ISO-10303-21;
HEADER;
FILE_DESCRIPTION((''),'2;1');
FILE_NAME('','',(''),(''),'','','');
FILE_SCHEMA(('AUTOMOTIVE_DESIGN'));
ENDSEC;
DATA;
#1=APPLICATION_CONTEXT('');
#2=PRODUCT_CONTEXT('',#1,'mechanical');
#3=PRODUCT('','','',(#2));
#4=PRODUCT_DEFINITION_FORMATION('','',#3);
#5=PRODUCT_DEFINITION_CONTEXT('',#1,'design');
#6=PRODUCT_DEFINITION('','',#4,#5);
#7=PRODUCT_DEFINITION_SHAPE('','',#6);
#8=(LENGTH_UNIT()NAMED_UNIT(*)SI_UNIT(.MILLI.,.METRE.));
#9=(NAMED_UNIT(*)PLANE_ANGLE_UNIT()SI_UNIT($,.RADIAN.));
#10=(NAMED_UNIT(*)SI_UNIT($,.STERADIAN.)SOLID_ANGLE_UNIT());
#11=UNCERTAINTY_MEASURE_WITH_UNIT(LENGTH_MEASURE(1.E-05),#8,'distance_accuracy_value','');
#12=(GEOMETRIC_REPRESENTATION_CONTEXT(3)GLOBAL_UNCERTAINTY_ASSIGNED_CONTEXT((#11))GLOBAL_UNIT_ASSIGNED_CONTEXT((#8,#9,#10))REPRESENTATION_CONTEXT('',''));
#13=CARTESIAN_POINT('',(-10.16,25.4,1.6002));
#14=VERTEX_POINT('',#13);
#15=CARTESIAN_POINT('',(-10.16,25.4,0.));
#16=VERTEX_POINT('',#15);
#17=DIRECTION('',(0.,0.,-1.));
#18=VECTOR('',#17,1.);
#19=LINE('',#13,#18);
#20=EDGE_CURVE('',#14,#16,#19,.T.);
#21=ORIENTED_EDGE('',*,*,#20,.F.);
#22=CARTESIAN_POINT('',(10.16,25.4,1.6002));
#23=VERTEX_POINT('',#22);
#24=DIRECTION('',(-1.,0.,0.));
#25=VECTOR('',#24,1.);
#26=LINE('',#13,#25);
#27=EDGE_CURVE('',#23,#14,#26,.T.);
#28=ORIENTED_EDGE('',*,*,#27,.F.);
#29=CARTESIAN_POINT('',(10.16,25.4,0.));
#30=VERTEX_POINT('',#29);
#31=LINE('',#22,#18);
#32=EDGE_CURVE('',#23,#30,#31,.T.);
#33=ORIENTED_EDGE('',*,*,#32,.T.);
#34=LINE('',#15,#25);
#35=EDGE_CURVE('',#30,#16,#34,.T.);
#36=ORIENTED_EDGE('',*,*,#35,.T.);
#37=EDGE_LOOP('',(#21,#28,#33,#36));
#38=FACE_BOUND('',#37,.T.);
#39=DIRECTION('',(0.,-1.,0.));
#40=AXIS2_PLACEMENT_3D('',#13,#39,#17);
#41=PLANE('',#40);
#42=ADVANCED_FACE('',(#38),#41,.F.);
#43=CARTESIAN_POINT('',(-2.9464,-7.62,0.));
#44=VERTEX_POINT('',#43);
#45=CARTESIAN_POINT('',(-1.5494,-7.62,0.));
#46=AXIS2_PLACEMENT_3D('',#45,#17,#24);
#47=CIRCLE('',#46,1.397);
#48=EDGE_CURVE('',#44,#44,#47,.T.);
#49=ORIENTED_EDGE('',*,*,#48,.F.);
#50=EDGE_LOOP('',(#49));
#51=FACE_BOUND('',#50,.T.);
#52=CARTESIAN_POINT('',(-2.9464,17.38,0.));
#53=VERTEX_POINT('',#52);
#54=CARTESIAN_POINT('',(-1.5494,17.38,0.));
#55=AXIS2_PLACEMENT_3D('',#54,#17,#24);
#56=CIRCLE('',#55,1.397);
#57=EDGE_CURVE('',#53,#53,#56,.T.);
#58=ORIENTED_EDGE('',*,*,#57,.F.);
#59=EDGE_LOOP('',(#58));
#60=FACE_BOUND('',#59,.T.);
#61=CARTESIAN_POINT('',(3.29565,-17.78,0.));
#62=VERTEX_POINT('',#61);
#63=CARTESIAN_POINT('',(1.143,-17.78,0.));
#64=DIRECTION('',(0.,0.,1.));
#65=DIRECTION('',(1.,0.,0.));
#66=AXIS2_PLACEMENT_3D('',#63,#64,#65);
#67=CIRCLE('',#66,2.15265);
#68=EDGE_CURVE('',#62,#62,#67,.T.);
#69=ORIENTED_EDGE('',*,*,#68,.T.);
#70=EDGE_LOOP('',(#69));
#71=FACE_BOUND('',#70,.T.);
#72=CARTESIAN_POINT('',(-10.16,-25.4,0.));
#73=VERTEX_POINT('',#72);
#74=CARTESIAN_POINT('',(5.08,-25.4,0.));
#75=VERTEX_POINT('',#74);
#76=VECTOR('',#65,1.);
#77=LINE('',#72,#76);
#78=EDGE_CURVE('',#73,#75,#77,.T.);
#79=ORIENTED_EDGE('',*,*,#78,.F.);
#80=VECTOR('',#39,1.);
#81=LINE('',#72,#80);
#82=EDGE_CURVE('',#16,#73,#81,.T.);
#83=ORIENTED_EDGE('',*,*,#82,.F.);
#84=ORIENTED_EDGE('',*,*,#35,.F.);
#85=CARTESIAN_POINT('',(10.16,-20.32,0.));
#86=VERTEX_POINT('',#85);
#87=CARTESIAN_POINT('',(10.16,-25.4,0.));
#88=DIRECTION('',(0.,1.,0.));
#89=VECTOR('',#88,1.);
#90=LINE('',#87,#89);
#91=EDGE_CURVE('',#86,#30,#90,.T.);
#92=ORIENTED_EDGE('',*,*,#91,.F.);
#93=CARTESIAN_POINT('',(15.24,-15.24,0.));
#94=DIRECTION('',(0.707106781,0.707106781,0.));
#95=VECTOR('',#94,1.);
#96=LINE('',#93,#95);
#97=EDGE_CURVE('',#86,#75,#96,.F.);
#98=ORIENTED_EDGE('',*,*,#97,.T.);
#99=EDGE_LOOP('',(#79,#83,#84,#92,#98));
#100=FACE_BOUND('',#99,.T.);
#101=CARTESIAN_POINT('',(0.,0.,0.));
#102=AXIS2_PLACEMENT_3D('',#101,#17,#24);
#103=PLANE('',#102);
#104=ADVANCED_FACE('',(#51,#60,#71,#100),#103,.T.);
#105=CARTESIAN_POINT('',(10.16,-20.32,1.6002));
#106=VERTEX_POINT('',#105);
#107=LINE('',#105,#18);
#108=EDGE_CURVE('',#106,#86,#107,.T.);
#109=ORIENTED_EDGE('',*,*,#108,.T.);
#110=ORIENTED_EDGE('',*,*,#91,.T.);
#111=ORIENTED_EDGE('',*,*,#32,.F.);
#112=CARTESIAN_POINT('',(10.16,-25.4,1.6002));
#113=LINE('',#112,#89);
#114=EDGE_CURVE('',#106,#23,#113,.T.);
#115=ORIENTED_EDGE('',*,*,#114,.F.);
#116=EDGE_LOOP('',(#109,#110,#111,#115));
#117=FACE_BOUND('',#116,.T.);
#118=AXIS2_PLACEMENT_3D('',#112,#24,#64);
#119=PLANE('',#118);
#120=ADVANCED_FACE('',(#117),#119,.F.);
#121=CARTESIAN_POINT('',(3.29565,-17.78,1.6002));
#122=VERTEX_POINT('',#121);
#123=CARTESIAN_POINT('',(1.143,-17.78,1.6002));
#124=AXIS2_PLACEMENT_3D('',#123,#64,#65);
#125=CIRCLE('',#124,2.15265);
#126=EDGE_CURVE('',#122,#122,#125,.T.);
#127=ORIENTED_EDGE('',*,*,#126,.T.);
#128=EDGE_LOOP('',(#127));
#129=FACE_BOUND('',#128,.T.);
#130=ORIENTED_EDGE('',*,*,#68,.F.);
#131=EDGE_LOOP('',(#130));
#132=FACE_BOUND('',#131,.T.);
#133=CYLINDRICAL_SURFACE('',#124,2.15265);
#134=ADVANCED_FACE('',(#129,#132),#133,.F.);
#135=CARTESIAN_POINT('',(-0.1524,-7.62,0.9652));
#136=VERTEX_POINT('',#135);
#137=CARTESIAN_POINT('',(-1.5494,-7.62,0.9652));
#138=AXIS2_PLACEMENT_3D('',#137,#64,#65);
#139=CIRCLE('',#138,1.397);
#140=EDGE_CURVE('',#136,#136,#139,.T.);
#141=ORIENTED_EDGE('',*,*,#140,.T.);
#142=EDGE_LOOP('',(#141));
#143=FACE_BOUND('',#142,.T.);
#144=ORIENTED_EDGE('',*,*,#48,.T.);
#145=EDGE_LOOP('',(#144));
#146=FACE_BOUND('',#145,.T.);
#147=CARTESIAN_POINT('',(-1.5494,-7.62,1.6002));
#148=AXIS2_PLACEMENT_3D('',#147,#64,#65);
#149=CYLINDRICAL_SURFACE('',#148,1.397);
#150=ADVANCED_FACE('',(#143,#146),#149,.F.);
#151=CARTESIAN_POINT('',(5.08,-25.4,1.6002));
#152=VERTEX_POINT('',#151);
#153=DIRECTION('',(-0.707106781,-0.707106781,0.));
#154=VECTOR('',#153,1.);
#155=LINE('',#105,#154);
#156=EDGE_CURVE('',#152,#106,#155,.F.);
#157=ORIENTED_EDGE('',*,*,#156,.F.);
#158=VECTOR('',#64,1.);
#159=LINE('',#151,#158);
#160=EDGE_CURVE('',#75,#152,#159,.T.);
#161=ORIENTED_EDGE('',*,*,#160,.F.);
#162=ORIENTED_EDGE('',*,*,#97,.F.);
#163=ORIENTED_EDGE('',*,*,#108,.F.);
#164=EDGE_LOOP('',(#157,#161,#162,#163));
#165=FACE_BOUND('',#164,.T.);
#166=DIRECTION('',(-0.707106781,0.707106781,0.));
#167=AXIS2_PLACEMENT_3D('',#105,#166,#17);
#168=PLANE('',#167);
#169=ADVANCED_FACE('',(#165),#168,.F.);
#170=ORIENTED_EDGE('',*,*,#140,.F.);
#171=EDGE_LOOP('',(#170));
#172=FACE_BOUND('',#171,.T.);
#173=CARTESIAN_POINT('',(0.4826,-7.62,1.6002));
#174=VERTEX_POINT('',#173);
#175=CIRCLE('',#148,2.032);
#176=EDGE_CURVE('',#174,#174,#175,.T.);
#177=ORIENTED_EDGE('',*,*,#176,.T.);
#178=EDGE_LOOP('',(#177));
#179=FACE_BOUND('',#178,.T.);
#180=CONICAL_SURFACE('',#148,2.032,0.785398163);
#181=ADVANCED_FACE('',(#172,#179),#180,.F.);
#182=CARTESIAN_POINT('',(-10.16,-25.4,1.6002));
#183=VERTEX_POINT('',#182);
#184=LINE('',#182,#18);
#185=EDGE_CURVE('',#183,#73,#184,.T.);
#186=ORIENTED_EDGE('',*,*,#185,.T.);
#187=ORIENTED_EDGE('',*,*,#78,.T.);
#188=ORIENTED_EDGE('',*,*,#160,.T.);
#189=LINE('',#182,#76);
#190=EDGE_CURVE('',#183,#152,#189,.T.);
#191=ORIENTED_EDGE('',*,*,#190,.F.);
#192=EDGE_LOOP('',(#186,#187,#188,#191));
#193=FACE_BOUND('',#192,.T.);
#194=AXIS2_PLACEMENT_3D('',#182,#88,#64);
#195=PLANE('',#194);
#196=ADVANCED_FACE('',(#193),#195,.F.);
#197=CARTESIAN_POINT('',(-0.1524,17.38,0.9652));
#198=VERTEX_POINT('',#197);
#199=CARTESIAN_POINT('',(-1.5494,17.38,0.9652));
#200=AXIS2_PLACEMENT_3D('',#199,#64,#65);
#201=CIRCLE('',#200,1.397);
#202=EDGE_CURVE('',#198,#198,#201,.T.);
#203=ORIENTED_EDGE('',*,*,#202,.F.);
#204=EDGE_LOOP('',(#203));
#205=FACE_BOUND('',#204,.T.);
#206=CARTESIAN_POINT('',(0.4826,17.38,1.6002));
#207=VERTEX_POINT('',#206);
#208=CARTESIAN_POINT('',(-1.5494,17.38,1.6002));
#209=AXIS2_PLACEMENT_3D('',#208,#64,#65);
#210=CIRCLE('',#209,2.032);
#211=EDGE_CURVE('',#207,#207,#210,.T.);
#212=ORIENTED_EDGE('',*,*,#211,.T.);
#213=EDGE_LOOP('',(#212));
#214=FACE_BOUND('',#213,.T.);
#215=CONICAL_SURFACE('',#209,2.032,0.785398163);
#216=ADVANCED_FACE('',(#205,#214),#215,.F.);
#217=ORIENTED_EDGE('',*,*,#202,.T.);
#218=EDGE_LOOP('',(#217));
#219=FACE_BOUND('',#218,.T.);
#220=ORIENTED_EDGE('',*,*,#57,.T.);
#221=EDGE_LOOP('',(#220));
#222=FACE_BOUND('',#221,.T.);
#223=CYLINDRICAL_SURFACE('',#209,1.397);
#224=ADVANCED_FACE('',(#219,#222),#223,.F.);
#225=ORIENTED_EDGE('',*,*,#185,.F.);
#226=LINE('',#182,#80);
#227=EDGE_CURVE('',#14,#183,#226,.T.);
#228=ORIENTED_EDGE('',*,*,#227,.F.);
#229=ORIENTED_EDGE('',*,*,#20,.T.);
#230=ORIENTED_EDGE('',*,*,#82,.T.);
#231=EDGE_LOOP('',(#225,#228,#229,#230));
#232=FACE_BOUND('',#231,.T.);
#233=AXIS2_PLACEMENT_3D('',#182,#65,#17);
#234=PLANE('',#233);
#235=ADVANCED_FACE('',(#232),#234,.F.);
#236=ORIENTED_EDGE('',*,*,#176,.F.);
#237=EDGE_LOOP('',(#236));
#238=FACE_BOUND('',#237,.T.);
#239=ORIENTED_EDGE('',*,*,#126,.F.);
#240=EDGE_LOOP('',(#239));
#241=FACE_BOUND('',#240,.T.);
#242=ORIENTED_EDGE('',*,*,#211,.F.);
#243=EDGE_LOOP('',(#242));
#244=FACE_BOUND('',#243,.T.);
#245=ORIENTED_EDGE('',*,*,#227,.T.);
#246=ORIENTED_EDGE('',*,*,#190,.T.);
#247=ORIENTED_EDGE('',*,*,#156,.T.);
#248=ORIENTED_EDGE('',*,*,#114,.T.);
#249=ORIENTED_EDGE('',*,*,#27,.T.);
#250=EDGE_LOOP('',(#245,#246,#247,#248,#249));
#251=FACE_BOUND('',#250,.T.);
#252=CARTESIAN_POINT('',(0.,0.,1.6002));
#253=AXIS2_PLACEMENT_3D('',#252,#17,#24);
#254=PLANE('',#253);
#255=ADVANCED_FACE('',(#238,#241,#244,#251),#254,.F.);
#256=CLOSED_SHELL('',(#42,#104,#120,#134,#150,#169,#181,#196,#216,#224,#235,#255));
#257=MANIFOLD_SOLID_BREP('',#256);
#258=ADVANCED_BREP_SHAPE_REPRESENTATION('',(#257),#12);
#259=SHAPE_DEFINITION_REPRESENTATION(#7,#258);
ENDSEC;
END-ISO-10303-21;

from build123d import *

# Parameters (mm, degrees)
SKETCH1_W                       = 20.32
SKETCH1_H                       = 50.8
BOSS_EXTRUDE1_DEPTH             = 1.6002
CHAMFER1_SIZE                   = 5.08
F_3_CLEARANCE_HOLE1_D           = 2.794
F_3_CLEARANCE_HOLE1_DEPTH       = 11.43
F_3_CLEARANCE_HOLE1_CSINK_D     = 4.064
F_3_CLEARANCE_HOLE1_CSINK_ANGLE = 90
F_3_CLEARANCE_HOLE1_TIP         = 0.839402285
F_8_CLEARANCE_HOLE1_D           = 4.3053


with BuildPart() as part:
    # Sketch1 → Boss-Extrude1 (new body)
    with BuildSketch(Plane.XY):
        Rectangle(SKETCH1_W, SKETCH1_H)
    extrude(amount=BOSS_EXTRUDE1_DEPTH)

    # Chamfer1
    chamfer1_edges = [part.edges().sort_by_distance(p)[0] for p in [
        (10.16, -25.4, 0.8001),
    ]]
    chamfer(chamfer1_edges, length=CHAMFER1_SIZE)

    # #3 Clearance Hole1
    with Locations(Plane(origin=(-1.5494, -7.62, 1.6002), x_dir=(1, 0, 0), z_dir=(0, 0, 1))):
        with Locations((0, 0), (0, 25)):
            CounterSinkHole(F_3_CLEARANCE_HOLE1_D / 2, F_3_CLEARANCE_HOLE1_CSINK_D / 2, depth=F_3_CLEARANCE_HOLE1_DEPTH, counter_sink_angle=F_3_CLEARANCE_HOLE1_CSINK_ANGLE)
            with Locations((0, 0, -(F_3_CLEARANCE_HOLE1_DEPTH + F_3_CLEARANCE_HOLE1_TIP / 2))):  # 118° drill point
                Cone(0, F_3_CLEARANCE_HOLE1_D / 2, F_3_CLEARANCE_HOLE1_TIP, mode=Mode.SUBTRACT)

    # #8 Clearance Hole1 (through all)
    with Locations(Plane(origin=(1.143, -17.78, 1.6002), x_dir=(1, 0, 0), z_dir=(0, 0, 1))):
        with Locations((0, 0)):
            Hole(F_8_CLEARANCE_HOLE1_D / 2)


solid = part.part
